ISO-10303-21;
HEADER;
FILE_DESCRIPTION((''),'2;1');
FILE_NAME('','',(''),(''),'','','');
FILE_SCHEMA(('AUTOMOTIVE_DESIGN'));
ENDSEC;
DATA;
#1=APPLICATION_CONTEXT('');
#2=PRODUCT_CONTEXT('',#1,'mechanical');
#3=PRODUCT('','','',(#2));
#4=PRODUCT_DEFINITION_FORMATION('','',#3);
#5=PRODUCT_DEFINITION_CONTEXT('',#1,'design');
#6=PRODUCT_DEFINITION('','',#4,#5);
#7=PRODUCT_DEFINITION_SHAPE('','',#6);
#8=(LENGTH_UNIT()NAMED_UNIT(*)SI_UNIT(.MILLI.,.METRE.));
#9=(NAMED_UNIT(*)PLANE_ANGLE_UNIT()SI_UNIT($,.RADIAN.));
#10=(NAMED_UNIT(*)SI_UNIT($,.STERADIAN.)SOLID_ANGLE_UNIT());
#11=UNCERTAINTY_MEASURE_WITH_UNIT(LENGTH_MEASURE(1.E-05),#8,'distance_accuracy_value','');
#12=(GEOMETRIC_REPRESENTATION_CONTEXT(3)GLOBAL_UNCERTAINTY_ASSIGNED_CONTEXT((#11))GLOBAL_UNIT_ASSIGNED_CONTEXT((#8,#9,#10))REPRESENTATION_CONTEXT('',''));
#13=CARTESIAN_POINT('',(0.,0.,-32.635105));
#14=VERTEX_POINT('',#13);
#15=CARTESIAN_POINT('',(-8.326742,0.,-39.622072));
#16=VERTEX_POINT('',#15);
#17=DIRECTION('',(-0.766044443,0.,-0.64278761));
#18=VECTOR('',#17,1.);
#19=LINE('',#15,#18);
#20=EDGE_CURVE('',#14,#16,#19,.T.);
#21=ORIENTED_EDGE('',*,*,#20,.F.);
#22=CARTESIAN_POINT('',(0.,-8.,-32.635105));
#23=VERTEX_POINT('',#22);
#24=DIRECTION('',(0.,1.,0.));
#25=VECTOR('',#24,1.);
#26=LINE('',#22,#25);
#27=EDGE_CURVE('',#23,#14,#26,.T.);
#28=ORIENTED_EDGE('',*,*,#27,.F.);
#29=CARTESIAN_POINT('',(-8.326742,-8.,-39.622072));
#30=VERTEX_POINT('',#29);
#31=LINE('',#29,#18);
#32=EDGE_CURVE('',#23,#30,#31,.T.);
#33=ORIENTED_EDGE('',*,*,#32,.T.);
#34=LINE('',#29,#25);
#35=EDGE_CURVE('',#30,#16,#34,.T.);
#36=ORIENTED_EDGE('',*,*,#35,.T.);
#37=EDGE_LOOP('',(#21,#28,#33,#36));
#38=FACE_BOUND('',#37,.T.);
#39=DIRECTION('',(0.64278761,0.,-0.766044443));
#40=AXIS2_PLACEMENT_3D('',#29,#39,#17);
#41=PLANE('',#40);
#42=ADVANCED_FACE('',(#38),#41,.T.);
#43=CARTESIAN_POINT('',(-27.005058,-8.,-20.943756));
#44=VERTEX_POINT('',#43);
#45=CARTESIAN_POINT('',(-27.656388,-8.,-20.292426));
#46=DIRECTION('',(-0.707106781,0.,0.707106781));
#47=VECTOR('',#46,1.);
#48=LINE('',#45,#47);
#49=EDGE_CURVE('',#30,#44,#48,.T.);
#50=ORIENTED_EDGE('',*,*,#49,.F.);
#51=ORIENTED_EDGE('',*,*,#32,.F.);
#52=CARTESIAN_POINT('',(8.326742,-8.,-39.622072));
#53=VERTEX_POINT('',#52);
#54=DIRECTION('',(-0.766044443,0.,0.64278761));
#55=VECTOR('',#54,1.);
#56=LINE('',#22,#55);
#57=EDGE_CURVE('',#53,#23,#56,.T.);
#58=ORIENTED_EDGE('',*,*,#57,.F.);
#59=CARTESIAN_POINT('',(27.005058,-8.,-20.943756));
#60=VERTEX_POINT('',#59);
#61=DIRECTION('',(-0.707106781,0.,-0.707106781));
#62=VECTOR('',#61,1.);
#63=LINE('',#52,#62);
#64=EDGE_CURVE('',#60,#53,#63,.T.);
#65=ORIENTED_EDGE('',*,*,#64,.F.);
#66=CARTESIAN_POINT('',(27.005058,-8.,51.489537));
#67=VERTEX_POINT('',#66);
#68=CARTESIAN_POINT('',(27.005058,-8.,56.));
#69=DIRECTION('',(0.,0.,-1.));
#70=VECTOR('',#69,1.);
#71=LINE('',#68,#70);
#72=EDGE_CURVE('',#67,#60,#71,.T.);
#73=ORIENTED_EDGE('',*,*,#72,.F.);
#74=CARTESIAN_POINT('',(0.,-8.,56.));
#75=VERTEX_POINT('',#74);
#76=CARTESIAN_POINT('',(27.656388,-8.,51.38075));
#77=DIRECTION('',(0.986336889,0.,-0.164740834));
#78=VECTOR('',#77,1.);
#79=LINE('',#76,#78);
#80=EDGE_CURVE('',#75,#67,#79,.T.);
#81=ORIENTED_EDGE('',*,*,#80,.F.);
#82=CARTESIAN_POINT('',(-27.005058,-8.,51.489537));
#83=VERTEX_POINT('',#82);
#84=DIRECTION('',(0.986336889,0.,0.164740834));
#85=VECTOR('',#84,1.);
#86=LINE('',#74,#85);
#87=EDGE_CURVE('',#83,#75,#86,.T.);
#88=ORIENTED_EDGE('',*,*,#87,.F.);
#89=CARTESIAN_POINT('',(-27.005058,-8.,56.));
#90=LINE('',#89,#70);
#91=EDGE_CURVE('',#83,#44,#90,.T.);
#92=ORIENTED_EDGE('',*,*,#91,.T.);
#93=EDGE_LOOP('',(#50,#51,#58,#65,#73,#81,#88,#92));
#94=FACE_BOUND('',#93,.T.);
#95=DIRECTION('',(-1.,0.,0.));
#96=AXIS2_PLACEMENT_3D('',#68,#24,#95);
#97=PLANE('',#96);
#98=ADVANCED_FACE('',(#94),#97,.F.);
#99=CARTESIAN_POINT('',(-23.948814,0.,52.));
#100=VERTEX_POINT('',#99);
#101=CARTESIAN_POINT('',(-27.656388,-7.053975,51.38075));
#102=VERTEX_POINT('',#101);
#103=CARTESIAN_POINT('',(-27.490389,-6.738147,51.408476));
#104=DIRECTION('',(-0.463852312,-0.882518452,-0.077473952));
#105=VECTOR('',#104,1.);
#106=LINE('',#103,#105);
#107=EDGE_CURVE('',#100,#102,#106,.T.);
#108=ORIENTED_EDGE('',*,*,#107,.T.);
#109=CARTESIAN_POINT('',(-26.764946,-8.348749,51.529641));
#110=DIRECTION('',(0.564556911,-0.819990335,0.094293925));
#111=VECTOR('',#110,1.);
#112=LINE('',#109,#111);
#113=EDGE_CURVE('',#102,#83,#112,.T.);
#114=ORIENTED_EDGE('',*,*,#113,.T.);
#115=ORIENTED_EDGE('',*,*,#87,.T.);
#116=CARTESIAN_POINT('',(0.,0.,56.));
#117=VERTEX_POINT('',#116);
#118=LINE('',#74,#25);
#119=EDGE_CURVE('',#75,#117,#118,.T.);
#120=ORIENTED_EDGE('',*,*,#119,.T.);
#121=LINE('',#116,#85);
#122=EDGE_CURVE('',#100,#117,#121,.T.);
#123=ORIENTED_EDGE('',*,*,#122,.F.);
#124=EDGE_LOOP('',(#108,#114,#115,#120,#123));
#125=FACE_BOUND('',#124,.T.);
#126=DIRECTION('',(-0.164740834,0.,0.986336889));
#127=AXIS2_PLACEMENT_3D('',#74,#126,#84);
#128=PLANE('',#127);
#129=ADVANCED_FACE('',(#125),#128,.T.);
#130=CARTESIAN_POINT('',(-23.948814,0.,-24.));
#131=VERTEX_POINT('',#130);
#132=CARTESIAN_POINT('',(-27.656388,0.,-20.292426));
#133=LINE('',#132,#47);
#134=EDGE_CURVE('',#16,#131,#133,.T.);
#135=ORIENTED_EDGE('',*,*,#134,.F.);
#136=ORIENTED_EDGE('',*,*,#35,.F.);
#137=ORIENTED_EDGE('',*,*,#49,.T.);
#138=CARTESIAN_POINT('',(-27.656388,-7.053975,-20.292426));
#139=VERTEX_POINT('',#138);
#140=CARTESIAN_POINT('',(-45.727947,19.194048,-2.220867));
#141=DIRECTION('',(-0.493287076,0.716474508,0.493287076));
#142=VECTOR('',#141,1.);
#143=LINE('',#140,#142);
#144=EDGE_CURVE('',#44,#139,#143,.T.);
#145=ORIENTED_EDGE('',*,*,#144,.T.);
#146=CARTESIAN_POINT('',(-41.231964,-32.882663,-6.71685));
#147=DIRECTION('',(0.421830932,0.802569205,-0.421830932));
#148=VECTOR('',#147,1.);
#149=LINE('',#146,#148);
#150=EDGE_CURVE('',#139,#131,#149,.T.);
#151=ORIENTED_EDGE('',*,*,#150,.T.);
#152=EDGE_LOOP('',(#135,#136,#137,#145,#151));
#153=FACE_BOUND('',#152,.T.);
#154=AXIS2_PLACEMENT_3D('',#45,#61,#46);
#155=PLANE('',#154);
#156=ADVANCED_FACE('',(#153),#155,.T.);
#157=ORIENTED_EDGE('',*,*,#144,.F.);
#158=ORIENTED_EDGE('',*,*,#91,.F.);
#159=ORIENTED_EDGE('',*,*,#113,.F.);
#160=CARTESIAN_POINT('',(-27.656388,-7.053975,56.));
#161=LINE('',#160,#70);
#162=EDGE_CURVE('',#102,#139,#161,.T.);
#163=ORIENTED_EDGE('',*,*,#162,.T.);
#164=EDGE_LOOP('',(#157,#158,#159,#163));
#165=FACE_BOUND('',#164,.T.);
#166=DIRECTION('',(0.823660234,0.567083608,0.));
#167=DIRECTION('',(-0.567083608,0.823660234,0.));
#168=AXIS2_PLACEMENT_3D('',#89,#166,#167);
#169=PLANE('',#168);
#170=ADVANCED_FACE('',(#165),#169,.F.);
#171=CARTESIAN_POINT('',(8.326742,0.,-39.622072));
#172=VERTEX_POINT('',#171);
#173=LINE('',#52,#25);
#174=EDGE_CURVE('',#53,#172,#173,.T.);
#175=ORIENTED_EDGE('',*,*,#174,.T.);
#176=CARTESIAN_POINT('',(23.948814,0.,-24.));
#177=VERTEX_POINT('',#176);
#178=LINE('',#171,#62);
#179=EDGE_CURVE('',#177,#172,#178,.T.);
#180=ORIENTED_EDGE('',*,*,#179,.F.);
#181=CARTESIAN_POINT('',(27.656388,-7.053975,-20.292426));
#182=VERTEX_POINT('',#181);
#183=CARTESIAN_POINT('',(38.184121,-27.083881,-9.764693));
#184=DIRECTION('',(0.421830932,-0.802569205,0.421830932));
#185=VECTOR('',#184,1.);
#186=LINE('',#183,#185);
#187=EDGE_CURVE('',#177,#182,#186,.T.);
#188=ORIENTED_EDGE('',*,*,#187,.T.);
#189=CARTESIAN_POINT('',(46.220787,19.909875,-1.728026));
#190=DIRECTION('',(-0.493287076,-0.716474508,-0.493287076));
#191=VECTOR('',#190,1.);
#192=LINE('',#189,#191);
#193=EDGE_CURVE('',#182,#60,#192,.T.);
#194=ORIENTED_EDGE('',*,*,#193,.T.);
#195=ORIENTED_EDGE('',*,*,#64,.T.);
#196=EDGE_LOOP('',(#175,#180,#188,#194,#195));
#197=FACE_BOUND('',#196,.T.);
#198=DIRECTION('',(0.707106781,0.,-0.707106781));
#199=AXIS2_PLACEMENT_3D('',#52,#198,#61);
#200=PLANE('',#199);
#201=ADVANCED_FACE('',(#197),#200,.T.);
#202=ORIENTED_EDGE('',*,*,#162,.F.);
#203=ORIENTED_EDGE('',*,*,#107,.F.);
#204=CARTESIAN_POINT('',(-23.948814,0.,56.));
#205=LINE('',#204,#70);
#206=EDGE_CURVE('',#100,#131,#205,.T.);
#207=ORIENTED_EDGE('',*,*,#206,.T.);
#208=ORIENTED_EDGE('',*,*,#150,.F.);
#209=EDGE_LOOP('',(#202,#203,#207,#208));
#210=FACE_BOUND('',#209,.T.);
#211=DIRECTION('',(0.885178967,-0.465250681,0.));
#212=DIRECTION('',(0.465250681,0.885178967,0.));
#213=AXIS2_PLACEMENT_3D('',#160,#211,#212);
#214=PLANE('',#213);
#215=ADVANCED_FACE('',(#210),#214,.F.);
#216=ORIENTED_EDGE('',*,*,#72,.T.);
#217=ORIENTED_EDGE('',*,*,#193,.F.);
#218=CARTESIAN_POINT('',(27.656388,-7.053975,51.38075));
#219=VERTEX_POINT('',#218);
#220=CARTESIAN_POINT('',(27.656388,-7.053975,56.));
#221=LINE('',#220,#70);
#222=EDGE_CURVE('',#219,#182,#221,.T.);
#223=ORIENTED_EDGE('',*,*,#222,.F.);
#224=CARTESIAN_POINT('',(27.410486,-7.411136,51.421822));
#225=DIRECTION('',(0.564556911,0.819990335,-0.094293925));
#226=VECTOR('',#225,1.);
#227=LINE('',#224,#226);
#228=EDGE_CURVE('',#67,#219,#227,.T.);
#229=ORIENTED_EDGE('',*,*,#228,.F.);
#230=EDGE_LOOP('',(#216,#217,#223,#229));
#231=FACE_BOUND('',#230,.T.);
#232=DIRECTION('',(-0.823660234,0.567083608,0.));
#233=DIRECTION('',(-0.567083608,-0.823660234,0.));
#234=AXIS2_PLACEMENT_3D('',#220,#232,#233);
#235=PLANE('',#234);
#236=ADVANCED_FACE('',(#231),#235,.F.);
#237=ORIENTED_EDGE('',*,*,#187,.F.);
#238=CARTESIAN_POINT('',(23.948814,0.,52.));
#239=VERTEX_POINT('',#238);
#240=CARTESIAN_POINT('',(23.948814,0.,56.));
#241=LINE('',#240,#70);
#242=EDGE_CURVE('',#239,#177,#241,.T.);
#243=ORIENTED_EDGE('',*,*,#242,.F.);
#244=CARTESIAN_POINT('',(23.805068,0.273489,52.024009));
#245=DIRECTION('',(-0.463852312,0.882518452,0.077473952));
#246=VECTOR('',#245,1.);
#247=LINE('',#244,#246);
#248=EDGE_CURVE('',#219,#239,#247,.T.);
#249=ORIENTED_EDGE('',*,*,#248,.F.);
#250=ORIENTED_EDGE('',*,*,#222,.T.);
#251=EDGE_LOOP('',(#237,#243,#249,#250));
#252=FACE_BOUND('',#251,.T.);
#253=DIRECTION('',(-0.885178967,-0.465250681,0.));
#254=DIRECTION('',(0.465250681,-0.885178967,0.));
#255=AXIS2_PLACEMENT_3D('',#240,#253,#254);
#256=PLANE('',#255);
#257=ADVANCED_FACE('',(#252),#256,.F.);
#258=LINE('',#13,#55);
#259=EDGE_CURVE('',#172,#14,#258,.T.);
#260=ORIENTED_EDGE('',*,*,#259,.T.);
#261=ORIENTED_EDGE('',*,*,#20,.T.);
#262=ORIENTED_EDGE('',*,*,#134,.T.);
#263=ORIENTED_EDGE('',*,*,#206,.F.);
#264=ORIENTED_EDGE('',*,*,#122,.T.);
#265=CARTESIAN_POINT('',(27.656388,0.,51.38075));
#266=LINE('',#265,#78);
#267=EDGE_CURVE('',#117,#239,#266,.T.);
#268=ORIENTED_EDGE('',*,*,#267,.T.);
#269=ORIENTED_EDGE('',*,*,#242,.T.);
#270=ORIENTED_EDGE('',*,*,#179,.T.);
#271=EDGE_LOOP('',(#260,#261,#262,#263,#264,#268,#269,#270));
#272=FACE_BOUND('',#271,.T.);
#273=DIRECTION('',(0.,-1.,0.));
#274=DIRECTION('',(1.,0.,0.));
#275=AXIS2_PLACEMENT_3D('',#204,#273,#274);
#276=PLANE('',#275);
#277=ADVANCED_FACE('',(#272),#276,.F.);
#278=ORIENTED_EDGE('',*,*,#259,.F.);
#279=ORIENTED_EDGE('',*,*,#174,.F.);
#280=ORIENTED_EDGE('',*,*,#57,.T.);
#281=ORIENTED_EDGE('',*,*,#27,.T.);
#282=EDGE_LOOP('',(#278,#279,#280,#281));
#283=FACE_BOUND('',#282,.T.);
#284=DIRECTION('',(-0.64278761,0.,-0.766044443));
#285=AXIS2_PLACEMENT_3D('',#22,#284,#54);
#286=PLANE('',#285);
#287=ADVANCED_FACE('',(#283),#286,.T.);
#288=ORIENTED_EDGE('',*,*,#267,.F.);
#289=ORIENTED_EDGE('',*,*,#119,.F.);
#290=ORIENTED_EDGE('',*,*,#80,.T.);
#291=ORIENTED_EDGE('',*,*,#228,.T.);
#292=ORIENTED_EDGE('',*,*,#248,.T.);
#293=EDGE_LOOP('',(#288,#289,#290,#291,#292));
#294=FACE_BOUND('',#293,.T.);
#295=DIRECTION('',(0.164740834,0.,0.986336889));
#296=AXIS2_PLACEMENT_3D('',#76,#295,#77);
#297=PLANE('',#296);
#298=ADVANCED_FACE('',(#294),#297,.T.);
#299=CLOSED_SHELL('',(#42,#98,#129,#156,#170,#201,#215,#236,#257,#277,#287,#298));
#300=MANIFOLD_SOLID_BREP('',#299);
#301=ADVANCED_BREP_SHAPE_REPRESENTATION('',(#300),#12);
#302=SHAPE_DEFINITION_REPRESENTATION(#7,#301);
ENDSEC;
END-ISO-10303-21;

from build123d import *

# Parameters (mm, degrees)
BOSS_EXTRUDE1_START = -39.622072
BOSS_EXTRUDE1_DEPTH = 95.622072
SKETCH3_OUTSIDE_W   = 79.464
SKETCH3_OUTSIDE_H   = 119.774
CUT_EXTRUDE1_DEPTH  = 63.967259819


with BuildPart() as part:
    # Sketch2 → Boss-Extrude1 (new body)
    with BuildSketch(Plane.XY.offset(BOSS_EXTRUDE1_START)):
        Polygon((23.948813845, 0), (27.656388216, -7.053975388), (27.005057694, -8), (-27.005057694, -8), (-27.656388216, -7.053975388), (-23.948813845, 0), align=None)
    extrude(amount=BOSS_EXTRUDE1_DEPTH)

    # Sketch3 outside → Cut-Extrude1 (cut, through all)
    with BuildSketch(Plane(origin=(0, 0, 0), x_dir=(1, 0, 0), z_dir=(0, 1, 0))):
        with Locations((0, -8.189)):
            Rectangle(SKETCH3_OUTSIDE_W, SKETCH3_OUTSIDE_H)
        Polygon((0, 32.635105346), (8.326742195, 39.622071651), (27.656388216, 20.292425629), (27.656388216, -51.380750229), (0, -56), (-27.656388216, -51.380750229), (-27.656388216, 20.292425629), (-8.326742195, 39.622071651), align=None, mode=Mode.SUBTRACT)
    extrude(amount=-CUT_EXTRUDE1_DEPTH, mode=Mode.SUBTRACT)


solid = part.part
